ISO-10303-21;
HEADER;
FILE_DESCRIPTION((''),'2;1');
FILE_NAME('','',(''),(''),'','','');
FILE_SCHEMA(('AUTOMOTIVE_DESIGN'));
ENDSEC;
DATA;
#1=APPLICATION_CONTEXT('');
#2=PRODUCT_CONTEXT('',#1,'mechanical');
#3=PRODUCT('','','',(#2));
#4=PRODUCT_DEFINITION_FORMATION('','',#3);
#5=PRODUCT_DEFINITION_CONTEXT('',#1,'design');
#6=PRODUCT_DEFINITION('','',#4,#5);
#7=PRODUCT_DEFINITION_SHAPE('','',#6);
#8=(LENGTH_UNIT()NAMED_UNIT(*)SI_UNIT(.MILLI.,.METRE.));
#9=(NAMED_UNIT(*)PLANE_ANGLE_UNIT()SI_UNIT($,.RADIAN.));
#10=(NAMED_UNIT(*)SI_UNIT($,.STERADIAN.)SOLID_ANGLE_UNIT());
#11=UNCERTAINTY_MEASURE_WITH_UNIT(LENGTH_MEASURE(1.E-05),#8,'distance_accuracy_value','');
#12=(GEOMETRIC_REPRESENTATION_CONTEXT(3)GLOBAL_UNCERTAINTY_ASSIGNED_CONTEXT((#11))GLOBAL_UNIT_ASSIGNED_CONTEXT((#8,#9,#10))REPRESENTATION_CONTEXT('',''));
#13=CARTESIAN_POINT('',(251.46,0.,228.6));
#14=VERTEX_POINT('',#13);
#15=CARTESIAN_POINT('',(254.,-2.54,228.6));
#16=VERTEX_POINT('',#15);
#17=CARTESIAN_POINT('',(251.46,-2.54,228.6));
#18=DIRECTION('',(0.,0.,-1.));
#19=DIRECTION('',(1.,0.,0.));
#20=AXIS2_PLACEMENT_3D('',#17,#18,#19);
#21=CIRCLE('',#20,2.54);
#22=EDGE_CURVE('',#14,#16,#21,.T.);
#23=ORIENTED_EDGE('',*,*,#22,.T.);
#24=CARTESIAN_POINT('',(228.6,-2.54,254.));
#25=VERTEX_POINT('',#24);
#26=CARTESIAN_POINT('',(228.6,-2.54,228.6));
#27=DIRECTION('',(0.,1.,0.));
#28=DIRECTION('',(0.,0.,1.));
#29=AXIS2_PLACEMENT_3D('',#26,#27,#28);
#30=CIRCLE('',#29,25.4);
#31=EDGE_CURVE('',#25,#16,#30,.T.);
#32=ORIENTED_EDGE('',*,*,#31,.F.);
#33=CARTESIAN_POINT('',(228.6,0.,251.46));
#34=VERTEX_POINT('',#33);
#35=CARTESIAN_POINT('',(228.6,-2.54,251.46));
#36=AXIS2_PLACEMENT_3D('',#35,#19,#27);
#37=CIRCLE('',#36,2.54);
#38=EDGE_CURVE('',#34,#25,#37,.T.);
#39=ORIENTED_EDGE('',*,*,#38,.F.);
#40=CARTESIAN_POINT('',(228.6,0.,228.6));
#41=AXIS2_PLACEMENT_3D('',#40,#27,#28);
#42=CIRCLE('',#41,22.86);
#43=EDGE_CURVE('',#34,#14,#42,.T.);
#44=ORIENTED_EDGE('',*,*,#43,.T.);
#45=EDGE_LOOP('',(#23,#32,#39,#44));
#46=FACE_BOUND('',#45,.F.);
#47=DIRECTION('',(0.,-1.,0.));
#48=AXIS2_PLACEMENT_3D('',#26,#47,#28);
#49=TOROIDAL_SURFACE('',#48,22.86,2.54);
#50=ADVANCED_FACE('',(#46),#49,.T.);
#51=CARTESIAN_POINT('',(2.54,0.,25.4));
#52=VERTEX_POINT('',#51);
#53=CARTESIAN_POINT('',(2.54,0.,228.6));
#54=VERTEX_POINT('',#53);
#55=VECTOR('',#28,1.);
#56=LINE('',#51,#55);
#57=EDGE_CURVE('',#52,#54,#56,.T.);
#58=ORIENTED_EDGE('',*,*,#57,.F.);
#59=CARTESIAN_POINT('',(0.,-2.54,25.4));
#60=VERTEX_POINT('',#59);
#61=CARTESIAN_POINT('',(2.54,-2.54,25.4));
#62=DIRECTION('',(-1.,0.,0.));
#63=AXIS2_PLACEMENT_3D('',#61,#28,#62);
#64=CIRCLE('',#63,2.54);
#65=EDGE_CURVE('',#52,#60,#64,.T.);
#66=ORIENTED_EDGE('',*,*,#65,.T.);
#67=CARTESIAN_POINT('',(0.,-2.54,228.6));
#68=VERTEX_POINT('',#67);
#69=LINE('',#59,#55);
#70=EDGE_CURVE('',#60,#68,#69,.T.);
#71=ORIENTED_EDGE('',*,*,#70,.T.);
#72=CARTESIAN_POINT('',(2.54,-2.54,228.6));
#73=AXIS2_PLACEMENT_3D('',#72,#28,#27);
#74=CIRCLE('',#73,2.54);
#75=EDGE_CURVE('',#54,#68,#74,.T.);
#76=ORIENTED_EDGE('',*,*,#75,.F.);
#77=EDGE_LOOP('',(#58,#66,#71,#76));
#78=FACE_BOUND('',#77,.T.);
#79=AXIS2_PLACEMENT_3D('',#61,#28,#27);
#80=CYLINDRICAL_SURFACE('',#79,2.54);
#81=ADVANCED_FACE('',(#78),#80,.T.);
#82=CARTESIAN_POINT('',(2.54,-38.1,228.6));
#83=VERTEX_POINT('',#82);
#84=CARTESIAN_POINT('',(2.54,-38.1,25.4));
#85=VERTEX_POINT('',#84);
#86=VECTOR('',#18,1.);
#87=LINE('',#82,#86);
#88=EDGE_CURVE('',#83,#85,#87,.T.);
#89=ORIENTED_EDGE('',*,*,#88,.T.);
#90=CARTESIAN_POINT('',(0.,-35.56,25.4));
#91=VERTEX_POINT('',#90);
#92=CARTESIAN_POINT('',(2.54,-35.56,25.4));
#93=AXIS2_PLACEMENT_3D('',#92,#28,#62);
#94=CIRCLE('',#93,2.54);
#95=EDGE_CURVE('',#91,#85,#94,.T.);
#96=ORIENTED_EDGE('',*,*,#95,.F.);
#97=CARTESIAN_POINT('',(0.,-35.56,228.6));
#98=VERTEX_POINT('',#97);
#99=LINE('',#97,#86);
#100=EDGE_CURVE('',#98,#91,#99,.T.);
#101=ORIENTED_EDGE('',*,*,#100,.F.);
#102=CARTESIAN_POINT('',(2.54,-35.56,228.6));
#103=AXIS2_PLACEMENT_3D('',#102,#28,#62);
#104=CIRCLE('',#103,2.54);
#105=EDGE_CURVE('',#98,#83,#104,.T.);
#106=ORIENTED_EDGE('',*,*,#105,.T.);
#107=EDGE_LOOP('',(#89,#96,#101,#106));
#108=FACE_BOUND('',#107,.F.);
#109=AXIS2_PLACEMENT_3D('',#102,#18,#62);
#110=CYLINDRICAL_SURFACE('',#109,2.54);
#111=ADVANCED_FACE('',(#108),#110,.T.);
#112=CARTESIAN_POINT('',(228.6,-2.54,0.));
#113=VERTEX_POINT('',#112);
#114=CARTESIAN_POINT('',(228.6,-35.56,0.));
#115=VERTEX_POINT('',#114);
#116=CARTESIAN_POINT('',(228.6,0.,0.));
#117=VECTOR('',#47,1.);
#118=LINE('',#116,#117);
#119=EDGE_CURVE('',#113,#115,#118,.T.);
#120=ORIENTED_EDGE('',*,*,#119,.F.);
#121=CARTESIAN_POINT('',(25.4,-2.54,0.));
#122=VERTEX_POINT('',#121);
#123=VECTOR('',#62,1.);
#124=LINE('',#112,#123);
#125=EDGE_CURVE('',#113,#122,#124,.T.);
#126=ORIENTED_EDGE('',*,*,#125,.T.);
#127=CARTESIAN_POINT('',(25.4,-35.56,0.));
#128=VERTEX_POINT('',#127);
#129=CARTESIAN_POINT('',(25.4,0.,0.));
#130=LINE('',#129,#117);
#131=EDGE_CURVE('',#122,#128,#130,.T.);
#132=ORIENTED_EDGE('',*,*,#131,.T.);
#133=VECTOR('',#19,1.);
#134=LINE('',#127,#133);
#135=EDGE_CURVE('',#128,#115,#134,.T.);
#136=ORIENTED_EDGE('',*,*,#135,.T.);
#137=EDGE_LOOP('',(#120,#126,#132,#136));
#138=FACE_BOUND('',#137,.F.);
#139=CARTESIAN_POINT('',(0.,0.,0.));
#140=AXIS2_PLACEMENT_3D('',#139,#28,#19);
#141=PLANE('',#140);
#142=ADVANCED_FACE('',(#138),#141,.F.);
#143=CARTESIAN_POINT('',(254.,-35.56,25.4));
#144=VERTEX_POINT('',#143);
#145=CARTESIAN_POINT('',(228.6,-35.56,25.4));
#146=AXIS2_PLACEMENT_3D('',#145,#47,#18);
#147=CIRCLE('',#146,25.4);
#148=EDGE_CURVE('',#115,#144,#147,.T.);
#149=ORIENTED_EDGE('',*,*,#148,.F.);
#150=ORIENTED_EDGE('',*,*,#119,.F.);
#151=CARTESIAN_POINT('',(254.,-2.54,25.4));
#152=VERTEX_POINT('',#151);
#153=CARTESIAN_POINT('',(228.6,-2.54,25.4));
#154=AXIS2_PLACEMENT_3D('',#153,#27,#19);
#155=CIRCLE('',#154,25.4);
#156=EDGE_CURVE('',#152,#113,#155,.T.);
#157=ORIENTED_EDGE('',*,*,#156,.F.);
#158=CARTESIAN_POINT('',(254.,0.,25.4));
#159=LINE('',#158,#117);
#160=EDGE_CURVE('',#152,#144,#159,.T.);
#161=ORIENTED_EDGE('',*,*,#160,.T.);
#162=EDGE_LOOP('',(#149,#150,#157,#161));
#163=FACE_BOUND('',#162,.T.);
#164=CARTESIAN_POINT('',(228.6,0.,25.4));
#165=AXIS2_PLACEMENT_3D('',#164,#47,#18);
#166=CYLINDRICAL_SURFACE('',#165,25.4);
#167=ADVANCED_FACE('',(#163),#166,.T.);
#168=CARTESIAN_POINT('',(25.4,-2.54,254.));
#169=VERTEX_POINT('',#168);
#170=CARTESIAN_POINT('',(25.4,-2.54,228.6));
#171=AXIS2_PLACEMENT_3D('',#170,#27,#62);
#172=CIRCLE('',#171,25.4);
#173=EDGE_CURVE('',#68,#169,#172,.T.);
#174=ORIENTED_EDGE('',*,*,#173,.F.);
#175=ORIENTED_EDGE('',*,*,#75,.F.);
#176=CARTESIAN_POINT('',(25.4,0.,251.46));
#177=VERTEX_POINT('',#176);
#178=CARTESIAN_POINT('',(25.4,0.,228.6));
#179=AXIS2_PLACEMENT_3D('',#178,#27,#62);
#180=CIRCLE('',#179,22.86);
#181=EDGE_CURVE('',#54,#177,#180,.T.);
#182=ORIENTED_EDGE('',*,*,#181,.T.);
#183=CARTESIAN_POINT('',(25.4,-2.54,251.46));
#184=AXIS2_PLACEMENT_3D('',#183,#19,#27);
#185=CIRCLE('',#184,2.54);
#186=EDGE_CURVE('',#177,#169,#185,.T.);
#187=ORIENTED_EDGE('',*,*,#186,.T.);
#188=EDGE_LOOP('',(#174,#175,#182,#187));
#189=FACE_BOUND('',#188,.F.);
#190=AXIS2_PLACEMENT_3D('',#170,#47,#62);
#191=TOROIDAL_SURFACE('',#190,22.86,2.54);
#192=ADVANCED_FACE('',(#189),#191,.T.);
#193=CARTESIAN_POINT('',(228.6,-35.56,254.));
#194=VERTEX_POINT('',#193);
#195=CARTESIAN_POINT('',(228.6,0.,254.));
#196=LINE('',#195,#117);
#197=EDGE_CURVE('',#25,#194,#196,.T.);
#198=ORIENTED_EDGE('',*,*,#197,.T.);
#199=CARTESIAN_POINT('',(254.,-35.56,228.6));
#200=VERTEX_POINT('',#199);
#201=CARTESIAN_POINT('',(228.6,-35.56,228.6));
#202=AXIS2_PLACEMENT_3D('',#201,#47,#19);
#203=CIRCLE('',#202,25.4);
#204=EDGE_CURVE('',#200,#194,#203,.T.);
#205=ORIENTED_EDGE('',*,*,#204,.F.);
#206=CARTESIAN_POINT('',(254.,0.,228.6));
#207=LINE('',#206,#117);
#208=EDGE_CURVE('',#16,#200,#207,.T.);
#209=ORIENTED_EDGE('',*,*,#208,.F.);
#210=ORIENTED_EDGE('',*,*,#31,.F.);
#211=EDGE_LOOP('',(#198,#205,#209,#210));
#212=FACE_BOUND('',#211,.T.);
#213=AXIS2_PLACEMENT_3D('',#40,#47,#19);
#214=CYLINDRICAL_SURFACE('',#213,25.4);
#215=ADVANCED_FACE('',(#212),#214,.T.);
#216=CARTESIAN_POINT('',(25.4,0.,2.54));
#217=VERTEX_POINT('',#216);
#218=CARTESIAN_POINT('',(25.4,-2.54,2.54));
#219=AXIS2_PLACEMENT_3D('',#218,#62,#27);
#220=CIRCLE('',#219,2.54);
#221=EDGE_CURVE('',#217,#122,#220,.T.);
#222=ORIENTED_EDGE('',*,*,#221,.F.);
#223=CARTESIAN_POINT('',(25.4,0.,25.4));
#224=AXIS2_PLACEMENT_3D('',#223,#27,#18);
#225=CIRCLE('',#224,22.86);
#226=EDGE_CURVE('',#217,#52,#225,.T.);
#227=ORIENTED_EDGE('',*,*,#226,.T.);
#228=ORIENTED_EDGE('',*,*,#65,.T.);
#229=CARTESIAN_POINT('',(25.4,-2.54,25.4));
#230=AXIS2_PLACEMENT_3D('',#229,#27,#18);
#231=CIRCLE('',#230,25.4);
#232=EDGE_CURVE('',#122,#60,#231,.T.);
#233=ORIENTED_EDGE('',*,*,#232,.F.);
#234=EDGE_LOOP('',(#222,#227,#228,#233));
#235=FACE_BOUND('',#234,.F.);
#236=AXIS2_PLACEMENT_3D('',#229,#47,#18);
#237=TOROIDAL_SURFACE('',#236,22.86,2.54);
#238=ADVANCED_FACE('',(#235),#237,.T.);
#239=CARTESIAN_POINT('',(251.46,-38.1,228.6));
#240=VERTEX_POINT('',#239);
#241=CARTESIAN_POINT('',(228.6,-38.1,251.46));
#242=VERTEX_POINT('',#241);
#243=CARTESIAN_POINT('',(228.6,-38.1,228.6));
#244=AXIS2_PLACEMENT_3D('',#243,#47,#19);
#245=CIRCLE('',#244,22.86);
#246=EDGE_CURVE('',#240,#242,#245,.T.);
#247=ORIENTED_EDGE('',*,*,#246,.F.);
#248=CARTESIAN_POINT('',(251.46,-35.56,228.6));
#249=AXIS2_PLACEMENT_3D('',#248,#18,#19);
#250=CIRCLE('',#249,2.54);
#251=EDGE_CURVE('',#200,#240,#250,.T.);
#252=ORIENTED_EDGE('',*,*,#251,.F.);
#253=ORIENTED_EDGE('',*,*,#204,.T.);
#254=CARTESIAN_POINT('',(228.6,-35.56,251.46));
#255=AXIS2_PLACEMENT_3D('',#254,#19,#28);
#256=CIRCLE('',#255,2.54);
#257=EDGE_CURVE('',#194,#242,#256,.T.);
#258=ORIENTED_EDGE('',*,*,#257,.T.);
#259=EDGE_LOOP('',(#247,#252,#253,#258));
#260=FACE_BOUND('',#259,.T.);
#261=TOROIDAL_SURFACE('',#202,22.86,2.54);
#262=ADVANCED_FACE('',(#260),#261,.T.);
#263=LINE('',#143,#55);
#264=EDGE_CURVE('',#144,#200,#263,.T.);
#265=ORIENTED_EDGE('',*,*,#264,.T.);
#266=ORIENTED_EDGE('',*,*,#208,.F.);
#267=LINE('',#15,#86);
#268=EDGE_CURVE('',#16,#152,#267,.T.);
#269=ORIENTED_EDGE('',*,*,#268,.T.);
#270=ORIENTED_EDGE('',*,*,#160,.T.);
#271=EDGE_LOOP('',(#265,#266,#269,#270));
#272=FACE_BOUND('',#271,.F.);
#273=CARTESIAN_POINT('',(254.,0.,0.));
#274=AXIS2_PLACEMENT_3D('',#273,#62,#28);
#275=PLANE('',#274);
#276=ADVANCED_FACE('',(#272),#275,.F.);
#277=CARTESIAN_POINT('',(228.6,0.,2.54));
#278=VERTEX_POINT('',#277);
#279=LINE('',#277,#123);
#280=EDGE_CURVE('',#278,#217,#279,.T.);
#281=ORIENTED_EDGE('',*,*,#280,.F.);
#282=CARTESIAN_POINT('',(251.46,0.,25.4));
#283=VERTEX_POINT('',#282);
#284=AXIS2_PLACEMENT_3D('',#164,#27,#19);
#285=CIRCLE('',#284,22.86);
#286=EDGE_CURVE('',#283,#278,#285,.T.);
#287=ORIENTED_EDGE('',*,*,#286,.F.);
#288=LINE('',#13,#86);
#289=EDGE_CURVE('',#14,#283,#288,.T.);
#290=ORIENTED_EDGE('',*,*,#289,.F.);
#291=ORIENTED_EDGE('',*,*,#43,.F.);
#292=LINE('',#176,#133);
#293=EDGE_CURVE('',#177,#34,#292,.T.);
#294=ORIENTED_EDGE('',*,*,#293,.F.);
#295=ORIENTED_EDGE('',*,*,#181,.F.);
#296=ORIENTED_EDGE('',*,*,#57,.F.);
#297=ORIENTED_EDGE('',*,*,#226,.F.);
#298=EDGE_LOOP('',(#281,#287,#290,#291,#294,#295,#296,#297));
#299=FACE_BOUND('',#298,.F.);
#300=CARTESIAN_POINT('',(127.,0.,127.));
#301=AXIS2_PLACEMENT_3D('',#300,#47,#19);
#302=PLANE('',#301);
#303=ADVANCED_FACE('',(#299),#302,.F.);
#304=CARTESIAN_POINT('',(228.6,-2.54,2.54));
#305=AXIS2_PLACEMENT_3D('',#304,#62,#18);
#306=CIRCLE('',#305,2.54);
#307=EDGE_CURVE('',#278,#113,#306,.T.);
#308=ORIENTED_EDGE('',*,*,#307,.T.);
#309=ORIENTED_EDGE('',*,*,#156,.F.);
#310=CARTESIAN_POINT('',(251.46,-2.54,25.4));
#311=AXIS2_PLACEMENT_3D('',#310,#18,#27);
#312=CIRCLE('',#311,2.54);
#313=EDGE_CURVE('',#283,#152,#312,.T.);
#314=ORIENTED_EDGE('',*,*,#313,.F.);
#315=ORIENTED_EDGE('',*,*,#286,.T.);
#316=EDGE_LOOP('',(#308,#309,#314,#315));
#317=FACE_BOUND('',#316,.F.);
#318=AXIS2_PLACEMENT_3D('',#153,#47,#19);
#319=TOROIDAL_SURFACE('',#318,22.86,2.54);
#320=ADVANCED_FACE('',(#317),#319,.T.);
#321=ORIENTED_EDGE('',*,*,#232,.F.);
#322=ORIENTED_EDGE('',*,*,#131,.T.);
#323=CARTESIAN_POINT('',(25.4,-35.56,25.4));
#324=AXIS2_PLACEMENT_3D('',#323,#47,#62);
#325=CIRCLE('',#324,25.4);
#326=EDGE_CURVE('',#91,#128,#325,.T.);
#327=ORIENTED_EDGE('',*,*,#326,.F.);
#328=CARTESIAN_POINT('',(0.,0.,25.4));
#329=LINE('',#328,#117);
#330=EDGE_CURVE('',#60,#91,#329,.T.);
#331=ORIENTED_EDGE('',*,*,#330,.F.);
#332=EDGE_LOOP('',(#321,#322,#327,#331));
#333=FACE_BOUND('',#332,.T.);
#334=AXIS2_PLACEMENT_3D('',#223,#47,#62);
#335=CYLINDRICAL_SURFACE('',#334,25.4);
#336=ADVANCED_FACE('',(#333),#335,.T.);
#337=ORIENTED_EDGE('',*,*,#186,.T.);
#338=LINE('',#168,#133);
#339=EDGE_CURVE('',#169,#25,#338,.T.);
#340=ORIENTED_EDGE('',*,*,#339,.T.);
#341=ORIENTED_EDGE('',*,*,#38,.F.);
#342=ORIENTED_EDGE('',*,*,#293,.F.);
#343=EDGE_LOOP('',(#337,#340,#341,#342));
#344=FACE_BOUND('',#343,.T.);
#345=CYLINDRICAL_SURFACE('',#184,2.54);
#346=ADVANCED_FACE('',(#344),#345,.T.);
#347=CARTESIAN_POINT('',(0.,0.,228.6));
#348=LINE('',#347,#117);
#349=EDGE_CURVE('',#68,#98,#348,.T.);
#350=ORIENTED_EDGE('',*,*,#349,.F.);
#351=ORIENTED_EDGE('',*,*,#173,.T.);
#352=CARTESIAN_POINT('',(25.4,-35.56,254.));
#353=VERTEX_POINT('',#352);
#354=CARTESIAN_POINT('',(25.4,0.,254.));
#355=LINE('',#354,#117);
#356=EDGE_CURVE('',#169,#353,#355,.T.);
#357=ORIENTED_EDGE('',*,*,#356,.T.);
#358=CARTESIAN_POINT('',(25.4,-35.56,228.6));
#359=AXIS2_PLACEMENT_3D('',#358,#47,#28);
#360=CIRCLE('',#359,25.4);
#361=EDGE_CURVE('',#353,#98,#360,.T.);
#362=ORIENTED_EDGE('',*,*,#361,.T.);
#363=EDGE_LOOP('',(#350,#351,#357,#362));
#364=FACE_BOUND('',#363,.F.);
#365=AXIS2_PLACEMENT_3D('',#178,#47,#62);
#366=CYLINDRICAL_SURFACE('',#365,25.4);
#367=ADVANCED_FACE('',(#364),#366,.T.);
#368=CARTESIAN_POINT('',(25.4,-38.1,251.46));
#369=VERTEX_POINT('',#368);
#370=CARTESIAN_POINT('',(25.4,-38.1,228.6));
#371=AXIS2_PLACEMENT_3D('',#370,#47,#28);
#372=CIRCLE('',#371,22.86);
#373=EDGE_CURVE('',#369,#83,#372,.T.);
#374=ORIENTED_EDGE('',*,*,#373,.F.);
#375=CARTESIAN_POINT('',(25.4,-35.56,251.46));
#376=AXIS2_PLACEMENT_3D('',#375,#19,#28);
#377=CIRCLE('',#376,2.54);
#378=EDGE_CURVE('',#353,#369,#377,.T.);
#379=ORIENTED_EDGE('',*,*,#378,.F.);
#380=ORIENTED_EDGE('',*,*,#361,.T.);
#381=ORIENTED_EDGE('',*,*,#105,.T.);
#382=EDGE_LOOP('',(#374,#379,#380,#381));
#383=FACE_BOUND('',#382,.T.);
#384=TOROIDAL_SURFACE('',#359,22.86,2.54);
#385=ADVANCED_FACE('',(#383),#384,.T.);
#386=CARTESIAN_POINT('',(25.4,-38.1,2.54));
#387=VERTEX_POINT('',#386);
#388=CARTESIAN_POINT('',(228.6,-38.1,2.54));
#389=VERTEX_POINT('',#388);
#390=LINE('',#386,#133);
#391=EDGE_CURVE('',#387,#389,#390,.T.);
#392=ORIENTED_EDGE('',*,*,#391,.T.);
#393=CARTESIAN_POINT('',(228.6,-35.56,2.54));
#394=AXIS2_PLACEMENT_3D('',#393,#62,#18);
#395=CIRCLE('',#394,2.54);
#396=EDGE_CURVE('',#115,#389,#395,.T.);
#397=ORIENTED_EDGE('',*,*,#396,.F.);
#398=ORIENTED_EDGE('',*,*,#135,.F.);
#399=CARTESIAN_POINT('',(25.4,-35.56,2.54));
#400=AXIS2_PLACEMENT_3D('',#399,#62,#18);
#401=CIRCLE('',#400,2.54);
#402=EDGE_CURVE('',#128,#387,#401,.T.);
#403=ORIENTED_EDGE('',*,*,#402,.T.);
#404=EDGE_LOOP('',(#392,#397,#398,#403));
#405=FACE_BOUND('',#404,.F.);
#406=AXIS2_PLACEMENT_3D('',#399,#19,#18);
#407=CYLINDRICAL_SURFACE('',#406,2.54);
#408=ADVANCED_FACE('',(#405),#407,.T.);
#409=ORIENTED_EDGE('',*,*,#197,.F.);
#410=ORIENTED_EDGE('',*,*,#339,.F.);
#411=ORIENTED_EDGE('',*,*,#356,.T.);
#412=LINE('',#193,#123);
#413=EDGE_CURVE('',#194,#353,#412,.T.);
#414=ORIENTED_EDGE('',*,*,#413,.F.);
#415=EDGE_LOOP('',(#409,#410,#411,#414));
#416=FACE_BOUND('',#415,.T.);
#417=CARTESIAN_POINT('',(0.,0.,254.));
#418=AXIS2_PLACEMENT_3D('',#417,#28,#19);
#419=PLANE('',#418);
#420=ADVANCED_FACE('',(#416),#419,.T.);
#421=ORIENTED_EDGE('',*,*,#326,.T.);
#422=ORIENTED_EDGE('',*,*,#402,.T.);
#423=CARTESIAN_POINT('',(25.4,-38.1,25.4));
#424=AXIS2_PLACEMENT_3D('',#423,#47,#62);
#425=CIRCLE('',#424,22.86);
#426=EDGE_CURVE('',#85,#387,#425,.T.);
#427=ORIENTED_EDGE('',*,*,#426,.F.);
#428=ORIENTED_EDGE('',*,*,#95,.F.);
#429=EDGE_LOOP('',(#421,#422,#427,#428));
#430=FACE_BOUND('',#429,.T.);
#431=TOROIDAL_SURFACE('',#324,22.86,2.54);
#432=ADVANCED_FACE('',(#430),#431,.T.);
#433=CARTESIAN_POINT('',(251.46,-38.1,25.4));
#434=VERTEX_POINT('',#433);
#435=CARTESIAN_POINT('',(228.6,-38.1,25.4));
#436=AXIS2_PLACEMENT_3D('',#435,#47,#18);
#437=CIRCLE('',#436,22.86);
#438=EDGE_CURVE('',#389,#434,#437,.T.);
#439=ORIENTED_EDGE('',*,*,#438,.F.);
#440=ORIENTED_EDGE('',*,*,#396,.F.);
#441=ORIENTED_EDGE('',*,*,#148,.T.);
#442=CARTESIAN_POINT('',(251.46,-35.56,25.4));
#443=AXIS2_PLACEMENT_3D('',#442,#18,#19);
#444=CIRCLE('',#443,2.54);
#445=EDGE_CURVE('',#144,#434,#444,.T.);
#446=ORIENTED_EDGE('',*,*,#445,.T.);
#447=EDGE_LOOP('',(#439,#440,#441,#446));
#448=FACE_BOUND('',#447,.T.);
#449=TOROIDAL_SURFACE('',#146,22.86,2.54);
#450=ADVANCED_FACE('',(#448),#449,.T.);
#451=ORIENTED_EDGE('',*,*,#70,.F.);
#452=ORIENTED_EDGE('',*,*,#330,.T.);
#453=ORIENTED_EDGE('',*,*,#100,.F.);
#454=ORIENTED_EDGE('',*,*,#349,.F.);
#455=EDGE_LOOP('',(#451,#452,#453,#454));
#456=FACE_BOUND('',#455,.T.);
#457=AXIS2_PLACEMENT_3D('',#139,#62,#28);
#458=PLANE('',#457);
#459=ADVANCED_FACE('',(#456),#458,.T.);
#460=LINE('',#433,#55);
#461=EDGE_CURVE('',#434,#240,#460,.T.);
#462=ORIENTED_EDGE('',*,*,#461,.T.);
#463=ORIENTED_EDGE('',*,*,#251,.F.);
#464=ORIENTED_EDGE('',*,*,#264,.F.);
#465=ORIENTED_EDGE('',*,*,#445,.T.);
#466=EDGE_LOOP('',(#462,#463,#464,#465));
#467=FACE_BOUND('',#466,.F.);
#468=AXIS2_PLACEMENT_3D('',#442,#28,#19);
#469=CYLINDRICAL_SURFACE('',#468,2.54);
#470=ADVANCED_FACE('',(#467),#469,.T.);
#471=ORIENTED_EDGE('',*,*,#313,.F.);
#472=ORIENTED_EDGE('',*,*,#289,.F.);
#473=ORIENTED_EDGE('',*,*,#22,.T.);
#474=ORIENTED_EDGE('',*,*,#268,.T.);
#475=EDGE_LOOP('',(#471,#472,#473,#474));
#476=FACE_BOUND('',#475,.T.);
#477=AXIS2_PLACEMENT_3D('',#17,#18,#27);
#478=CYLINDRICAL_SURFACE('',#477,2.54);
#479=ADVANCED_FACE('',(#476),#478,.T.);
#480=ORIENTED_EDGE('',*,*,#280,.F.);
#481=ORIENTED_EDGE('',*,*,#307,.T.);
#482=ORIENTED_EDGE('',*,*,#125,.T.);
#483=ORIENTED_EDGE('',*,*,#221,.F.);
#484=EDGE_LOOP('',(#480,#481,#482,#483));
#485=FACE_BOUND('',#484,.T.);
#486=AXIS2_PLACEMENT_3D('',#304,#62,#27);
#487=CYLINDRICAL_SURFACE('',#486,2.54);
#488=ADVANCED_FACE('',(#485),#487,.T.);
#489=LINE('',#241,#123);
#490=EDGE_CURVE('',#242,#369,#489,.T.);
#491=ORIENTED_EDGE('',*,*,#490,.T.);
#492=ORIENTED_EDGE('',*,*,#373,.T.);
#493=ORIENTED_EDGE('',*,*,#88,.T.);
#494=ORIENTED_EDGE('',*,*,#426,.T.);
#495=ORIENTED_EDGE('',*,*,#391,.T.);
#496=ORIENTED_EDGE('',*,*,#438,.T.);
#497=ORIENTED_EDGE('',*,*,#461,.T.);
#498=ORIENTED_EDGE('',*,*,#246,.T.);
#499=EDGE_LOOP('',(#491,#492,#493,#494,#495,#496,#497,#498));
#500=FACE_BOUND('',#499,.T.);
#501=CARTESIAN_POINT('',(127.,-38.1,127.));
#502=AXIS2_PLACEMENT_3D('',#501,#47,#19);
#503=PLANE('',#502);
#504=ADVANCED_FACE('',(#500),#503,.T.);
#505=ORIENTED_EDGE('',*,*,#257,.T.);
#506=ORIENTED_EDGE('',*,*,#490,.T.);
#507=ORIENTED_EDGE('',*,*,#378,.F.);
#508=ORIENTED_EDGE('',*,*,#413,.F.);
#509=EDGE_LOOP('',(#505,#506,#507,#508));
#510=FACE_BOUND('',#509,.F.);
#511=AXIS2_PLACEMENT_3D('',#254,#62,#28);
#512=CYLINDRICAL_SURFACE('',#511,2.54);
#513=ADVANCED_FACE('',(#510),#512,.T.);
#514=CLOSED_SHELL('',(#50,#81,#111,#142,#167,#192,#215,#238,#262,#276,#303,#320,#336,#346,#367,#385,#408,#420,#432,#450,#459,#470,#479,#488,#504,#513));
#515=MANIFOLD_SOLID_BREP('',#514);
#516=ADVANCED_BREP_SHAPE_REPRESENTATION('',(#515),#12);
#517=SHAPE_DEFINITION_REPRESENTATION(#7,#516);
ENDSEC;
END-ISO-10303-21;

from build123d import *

# Parameters (mm, degrees)
F0_W     = 254
F0_H     = 254
F1_DEPTH = 38.1
F2_R     = 25.4
F3_R     = 25.4
F4_R     = 25.4
F5_R     = 25.4
F6_R     = 2.54
F7_R     = 2.54


with BuildPart() as f1:
    # F0 (on Front) → F1 (new body)
    with BuildSketch(Plane.XZ):
        with Locations((127, 127)):
            Rectangle(F0_W, F0_H)
    extrude(amount=F1_DEPTH)

    # F2
    f2_edges = [f1.edges().sort_by_distance(p)[0] for p in [
        (0, -19.05, 254),
    ]]
    fillet(f2_edges, radius=F2_R)

    # F3
    f3_edges = [f1.edges().sort_by_distance(p)[0] for p in [
        (0, -19.05, 0),
    ]]
    fillet(f3_edges, radius=F3_R)

    # F4
    f4_edges = [f1.edges().sort_by_distance(p)[0] for p in [
        (254, -19.05, 0),
    ]]
    fillet(f4_edges, radius=F4_R)

    # F5
    f5_edges = [f1.edges().sort_by_distance(p)[0] for p in [
        (254, -19.05, 254),
    ]]
    fillet(f5_edges, radius=F5_R)

    # F6
    f6_edges = [f1.edges().sort_by_distance(p)[0] for p in [
        (127, 0, 254),
        (246.560512, 0, 246.560512),
        (254, 0, 127),
        (246.560512, 0, 7.439488),
        (127, 0, 0),
        (7.439488, 0, 7.439488),
        (0, 0, 127),
        (7.439488, 0, 246.560512),
    ]]
    fillet(f6_edges, radius=F6_R)

    # F7
    f7_edges = [f1.edges().sort_by_distance(p)[0] for p in [
        (246.560512, -38.1, 246.560512),
        (254, -38.1, 127),
        (127, -38.1, 254),
        (7.439488, -38.1, 246.560512),
        (0, -38.1, 127),
        (7.439488, -38.1, 7.439488),
        (127, -38.1, 0),
        (246.560512, -38.1, 7.439488),
    ]]
    fillet(f7_edges, radius=F7_R)


solid = f1.part
